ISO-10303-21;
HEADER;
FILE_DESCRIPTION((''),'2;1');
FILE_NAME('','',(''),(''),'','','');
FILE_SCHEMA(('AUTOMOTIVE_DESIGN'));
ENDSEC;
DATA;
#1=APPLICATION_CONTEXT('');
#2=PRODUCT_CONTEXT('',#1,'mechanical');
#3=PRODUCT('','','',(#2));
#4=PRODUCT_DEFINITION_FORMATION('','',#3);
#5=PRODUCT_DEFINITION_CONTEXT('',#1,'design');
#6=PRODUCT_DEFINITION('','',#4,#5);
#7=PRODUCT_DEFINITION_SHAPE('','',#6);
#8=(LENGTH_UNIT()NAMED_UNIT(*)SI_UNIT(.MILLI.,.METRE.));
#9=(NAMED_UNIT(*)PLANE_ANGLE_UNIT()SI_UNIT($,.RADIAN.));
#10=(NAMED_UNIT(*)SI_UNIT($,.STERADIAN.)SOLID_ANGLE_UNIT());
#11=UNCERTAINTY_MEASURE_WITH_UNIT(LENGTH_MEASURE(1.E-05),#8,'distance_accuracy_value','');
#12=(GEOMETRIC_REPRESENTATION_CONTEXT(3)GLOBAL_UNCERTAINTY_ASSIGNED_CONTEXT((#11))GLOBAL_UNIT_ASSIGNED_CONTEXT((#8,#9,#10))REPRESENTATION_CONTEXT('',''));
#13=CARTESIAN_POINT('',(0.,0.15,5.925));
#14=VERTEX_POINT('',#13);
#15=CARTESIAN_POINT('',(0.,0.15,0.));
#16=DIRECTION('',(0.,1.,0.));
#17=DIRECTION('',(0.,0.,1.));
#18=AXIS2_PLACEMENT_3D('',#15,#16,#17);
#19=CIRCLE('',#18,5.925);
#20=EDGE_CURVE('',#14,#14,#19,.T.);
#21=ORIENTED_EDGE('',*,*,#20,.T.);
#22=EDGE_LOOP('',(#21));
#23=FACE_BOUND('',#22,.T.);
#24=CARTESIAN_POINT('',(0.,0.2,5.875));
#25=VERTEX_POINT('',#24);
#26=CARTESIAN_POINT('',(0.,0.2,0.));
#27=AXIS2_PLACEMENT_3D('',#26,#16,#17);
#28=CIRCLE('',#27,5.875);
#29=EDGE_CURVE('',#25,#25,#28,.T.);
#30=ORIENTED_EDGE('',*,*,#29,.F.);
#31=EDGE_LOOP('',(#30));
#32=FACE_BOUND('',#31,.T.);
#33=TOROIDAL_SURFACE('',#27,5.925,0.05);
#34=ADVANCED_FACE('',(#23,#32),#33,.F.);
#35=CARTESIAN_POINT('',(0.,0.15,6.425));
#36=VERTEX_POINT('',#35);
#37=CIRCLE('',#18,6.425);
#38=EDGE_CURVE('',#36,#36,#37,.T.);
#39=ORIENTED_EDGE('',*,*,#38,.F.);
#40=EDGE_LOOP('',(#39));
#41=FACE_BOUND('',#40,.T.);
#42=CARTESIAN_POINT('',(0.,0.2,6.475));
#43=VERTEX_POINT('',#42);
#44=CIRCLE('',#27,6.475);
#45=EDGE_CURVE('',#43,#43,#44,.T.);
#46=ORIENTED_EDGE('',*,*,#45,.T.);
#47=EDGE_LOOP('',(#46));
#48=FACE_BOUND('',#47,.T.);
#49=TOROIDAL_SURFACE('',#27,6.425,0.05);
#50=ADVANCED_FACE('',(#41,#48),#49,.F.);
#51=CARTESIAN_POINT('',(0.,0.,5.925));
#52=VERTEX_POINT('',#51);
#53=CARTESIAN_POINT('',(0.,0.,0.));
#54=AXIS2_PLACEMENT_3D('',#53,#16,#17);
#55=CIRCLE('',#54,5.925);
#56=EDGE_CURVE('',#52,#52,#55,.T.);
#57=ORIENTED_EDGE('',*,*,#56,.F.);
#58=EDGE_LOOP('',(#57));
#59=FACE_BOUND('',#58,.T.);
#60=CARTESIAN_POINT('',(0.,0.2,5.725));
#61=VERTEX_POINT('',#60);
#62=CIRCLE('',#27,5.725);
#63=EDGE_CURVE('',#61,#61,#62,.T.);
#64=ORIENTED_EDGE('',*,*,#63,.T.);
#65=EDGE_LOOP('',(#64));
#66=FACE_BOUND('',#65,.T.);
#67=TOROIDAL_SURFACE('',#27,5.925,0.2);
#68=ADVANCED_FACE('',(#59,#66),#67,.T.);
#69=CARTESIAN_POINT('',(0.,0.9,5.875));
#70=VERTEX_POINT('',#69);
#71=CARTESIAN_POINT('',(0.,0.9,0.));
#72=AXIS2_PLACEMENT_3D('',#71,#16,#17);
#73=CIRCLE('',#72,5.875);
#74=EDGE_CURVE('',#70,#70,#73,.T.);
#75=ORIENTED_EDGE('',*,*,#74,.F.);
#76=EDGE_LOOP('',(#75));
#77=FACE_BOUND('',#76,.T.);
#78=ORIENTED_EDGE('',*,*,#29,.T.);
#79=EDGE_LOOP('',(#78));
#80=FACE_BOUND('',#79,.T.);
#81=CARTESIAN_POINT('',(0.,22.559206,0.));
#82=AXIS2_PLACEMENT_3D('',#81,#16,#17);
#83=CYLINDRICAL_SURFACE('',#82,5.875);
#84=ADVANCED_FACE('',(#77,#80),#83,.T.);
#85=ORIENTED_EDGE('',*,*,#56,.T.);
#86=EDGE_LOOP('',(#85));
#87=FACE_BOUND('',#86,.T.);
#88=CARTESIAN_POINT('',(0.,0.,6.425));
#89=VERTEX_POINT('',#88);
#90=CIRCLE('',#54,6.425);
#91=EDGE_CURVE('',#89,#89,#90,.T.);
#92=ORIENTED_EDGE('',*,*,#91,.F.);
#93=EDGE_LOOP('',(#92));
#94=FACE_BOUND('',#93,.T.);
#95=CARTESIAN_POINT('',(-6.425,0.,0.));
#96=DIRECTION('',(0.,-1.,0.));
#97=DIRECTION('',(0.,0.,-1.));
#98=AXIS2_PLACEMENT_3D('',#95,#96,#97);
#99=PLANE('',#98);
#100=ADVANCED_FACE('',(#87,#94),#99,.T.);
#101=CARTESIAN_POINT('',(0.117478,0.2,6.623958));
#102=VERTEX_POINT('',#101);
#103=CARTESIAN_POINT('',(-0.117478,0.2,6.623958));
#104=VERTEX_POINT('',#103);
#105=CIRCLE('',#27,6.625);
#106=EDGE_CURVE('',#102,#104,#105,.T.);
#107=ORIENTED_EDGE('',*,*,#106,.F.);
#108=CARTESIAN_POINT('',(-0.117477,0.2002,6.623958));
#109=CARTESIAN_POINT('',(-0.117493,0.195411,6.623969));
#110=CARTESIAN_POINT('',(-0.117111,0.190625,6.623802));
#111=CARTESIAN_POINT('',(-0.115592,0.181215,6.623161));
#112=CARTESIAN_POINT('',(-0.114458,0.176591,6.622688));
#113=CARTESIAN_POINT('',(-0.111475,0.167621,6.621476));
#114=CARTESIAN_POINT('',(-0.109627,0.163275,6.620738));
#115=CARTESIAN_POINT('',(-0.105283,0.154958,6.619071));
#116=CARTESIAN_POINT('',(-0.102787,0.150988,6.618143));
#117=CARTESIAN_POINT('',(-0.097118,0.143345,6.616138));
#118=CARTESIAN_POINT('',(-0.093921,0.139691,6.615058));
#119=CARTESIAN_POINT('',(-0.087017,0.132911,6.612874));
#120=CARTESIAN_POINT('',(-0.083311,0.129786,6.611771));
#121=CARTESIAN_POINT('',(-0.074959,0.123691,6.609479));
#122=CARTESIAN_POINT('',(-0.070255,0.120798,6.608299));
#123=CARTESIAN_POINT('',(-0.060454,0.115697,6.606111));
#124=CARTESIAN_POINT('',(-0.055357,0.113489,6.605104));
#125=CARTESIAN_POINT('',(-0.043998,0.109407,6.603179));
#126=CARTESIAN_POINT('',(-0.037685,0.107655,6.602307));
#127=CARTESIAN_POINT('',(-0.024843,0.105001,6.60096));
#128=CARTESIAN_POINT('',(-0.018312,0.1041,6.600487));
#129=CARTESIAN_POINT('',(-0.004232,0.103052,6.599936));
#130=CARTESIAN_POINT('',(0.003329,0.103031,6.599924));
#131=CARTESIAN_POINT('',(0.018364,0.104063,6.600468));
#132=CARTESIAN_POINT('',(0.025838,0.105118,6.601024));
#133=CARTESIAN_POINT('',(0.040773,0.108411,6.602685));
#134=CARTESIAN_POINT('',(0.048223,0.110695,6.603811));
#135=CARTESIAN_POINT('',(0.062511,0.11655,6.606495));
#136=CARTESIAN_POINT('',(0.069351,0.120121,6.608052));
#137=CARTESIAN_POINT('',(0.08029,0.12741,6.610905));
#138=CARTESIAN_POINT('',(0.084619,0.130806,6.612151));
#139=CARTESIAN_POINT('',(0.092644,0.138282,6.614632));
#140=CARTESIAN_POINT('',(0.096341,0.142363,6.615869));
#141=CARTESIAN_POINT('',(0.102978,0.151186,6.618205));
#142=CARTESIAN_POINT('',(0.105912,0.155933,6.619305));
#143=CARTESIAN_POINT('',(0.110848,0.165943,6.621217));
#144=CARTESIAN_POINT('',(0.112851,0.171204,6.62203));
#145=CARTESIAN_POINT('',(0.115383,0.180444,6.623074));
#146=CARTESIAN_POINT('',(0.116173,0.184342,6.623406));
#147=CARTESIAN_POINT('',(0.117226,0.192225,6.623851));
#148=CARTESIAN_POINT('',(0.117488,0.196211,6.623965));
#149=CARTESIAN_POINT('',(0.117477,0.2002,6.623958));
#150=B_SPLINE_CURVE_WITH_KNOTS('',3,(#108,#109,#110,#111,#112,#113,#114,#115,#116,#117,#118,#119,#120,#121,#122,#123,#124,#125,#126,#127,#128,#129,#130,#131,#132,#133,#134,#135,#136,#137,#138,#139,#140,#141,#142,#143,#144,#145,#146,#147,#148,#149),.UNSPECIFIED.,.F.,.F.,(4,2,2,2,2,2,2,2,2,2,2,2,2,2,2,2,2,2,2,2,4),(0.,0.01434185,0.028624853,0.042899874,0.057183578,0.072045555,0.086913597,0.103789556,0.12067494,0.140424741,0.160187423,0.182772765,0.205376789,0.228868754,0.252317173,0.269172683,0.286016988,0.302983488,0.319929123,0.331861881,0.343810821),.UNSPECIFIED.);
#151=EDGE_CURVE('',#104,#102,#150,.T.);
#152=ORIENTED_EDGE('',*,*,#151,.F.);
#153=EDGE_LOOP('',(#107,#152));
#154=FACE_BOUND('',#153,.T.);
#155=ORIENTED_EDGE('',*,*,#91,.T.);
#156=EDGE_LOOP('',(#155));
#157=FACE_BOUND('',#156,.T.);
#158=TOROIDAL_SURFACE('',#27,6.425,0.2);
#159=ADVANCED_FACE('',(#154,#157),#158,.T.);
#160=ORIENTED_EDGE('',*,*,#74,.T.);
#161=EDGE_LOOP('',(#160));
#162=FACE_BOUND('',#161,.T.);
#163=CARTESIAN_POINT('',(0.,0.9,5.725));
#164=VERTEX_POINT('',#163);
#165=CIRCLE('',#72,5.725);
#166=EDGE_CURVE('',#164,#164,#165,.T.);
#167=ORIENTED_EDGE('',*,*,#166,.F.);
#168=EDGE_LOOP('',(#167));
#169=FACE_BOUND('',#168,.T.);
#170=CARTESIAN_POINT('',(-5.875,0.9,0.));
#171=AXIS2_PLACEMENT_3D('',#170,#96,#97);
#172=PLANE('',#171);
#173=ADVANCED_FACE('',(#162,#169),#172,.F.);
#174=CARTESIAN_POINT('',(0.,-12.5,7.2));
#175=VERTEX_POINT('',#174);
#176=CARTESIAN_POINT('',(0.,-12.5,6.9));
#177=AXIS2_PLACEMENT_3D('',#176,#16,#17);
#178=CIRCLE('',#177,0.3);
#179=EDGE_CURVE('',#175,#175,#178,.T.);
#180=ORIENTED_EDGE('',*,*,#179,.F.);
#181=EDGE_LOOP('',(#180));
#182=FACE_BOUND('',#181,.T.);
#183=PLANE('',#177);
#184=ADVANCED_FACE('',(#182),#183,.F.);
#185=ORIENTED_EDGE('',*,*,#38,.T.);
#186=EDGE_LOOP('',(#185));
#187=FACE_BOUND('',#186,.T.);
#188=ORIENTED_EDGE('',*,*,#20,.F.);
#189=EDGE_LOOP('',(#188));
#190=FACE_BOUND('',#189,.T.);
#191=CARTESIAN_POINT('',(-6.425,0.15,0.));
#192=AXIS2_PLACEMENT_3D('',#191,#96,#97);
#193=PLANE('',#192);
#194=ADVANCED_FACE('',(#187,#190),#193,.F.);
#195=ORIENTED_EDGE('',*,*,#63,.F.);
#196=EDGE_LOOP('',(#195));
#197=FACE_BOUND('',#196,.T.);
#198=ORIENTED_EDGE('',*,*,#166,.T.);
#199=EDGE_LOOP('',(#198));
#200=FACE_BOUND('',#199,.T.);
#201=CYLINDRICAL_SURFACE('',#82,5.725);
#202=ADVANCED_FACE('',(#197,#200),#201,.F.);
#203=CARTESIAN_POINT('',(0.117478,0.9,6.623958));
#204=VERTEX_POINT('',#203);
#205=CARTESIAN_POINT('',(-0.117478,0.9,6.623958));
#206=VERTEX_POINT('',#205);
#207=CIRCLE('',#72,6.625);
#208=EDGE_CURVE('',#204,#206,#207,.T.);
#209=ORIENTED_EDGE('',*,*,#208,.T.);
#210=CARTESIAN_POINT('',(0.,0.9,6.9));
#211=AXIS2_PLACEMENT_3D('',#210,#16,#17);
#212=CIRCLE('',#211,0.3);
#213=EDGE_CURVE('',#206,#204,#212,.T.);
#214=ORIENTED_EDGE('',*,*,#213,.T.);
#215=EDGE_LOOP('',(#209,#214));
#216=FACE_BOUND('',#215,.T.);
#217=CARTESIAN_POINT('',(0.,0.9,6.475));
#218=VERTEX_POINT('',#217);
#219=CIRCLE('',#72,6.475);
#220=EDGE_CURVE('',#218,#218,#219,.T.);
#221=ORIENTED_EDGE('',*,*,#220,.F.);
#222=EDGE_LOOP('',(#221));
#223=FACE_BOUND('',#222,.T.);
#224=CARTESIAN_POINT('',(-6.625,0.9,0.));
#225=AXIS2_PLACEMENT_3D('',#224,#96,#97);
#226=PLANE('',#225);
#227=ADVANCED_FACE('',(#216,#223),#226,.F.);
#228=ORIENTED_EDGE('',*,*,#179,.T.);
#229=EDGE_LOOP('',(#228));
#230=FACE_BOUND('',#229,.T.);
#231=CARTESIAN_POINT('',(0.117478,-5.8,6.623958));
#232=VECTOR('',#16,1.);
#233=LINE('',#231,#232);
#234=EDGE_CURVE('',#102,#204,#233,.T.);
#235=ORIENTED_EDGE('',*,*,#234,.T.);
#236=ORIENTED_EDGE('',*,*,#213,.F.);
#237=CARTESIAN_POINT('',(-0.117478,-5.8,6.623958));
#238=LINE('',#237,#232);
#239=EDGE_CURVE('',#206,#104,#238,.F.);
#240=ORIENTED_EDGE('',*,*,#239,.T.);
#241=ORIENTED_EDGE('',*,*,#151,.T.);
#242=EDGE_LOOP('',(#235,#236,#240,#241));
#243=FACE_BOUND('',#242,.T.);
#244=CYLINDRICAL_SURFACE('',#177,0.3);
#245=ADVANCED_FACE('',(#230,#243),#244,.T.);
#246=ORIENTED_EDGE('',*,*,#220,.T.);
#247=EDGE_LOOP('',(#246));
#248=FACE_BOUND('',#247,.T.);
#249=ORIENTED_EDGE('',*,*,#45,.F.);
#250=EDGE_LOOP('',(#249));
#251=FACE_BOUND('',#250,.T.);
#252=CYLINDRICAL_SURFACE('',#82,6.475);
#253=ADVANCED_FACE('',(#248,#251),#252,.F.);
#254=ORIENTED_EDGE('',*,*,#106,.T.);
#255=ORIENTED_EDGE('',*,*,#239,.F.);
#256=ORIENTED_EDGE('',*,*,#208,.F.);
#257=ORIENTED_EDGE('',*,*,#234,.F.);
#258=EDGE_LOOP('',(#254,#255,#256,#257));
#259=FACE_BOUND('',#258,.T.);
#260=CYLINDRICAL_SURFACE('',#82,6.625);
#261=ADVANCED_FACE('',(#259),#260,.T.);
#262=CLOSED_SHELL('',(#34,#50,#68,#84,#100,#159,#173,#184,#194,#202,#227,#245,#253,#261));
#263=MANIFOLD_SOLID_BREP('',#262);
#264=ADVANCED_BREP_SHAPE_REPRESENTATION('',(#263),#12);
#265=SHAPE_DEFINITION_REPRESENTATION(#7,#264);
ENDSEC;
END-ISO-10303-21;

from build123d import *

# Parameters (mm, degrees)
EXTRUDE1_DEPTH      = 0.9
EXTRUDE1_DEPTH_BACK = 12.5
SKETCH3_R           = 0.3


with BuildPart() as part:
    # Sketch1 → Revolve-Thin1 (revolve)
    with BuildSketch(Plane.XY):
        with BuildLine():
            Line((-6.625, 0.9), (-6.625, 0.2))
            ThreePointArc((-6.625, 0.2), (-6.566421356, 0.058578644), (-6.425, 0))
            Line((-6.425, 0), (-5.925, 0))
            ThreePointArc((-5.925, 0), (-5.783578644, 0.058578644), (-5.725, 0.2))
            Line((-5.725, 0.2), (-5.725, 0.9))
            Line((-5.725, 0.9), (-5.875, 0.9))
            Line((-5.875, 0.9), (-5.875, 0.2))
            ThreePointArc((-5.875, 0.2), (-5.889644661, 0.164644661), (-5.925, 0.15))
            Line((-5.925, 0.15), (-6.425, 0.15))
            ThreePointArc((-6.425, 0.15), (-6.460355339, 0.164644661), (-6.475, 0.2))
            Line((-6.475, 0.2), (-6.475, 0.9))
            Line((-6.475, 0.9), (-6.625, 0.9))
        make_face()
    revolve(axis=Axis((0, 22.559206249, 0), (0, -1, 0)))

    # Sketch3 → Extrude1 (add, two sides: drawn at the far end of the back side and taken through both)
    with BuildSketch(Plane(origin=(0, 0, 0), x_dir=(1, 0, 0), z_dir=(0, 1, 0)).offset(-EXTRUDE1_DEPTH_BACK)):
        with Locations((0, -6.9)):
            Circle(SKETCH3_R)
    extrude(amount=EXTRUDE1_DEPTH + EXTRUDE1_DEPTH_BACK)


solid = part.part
